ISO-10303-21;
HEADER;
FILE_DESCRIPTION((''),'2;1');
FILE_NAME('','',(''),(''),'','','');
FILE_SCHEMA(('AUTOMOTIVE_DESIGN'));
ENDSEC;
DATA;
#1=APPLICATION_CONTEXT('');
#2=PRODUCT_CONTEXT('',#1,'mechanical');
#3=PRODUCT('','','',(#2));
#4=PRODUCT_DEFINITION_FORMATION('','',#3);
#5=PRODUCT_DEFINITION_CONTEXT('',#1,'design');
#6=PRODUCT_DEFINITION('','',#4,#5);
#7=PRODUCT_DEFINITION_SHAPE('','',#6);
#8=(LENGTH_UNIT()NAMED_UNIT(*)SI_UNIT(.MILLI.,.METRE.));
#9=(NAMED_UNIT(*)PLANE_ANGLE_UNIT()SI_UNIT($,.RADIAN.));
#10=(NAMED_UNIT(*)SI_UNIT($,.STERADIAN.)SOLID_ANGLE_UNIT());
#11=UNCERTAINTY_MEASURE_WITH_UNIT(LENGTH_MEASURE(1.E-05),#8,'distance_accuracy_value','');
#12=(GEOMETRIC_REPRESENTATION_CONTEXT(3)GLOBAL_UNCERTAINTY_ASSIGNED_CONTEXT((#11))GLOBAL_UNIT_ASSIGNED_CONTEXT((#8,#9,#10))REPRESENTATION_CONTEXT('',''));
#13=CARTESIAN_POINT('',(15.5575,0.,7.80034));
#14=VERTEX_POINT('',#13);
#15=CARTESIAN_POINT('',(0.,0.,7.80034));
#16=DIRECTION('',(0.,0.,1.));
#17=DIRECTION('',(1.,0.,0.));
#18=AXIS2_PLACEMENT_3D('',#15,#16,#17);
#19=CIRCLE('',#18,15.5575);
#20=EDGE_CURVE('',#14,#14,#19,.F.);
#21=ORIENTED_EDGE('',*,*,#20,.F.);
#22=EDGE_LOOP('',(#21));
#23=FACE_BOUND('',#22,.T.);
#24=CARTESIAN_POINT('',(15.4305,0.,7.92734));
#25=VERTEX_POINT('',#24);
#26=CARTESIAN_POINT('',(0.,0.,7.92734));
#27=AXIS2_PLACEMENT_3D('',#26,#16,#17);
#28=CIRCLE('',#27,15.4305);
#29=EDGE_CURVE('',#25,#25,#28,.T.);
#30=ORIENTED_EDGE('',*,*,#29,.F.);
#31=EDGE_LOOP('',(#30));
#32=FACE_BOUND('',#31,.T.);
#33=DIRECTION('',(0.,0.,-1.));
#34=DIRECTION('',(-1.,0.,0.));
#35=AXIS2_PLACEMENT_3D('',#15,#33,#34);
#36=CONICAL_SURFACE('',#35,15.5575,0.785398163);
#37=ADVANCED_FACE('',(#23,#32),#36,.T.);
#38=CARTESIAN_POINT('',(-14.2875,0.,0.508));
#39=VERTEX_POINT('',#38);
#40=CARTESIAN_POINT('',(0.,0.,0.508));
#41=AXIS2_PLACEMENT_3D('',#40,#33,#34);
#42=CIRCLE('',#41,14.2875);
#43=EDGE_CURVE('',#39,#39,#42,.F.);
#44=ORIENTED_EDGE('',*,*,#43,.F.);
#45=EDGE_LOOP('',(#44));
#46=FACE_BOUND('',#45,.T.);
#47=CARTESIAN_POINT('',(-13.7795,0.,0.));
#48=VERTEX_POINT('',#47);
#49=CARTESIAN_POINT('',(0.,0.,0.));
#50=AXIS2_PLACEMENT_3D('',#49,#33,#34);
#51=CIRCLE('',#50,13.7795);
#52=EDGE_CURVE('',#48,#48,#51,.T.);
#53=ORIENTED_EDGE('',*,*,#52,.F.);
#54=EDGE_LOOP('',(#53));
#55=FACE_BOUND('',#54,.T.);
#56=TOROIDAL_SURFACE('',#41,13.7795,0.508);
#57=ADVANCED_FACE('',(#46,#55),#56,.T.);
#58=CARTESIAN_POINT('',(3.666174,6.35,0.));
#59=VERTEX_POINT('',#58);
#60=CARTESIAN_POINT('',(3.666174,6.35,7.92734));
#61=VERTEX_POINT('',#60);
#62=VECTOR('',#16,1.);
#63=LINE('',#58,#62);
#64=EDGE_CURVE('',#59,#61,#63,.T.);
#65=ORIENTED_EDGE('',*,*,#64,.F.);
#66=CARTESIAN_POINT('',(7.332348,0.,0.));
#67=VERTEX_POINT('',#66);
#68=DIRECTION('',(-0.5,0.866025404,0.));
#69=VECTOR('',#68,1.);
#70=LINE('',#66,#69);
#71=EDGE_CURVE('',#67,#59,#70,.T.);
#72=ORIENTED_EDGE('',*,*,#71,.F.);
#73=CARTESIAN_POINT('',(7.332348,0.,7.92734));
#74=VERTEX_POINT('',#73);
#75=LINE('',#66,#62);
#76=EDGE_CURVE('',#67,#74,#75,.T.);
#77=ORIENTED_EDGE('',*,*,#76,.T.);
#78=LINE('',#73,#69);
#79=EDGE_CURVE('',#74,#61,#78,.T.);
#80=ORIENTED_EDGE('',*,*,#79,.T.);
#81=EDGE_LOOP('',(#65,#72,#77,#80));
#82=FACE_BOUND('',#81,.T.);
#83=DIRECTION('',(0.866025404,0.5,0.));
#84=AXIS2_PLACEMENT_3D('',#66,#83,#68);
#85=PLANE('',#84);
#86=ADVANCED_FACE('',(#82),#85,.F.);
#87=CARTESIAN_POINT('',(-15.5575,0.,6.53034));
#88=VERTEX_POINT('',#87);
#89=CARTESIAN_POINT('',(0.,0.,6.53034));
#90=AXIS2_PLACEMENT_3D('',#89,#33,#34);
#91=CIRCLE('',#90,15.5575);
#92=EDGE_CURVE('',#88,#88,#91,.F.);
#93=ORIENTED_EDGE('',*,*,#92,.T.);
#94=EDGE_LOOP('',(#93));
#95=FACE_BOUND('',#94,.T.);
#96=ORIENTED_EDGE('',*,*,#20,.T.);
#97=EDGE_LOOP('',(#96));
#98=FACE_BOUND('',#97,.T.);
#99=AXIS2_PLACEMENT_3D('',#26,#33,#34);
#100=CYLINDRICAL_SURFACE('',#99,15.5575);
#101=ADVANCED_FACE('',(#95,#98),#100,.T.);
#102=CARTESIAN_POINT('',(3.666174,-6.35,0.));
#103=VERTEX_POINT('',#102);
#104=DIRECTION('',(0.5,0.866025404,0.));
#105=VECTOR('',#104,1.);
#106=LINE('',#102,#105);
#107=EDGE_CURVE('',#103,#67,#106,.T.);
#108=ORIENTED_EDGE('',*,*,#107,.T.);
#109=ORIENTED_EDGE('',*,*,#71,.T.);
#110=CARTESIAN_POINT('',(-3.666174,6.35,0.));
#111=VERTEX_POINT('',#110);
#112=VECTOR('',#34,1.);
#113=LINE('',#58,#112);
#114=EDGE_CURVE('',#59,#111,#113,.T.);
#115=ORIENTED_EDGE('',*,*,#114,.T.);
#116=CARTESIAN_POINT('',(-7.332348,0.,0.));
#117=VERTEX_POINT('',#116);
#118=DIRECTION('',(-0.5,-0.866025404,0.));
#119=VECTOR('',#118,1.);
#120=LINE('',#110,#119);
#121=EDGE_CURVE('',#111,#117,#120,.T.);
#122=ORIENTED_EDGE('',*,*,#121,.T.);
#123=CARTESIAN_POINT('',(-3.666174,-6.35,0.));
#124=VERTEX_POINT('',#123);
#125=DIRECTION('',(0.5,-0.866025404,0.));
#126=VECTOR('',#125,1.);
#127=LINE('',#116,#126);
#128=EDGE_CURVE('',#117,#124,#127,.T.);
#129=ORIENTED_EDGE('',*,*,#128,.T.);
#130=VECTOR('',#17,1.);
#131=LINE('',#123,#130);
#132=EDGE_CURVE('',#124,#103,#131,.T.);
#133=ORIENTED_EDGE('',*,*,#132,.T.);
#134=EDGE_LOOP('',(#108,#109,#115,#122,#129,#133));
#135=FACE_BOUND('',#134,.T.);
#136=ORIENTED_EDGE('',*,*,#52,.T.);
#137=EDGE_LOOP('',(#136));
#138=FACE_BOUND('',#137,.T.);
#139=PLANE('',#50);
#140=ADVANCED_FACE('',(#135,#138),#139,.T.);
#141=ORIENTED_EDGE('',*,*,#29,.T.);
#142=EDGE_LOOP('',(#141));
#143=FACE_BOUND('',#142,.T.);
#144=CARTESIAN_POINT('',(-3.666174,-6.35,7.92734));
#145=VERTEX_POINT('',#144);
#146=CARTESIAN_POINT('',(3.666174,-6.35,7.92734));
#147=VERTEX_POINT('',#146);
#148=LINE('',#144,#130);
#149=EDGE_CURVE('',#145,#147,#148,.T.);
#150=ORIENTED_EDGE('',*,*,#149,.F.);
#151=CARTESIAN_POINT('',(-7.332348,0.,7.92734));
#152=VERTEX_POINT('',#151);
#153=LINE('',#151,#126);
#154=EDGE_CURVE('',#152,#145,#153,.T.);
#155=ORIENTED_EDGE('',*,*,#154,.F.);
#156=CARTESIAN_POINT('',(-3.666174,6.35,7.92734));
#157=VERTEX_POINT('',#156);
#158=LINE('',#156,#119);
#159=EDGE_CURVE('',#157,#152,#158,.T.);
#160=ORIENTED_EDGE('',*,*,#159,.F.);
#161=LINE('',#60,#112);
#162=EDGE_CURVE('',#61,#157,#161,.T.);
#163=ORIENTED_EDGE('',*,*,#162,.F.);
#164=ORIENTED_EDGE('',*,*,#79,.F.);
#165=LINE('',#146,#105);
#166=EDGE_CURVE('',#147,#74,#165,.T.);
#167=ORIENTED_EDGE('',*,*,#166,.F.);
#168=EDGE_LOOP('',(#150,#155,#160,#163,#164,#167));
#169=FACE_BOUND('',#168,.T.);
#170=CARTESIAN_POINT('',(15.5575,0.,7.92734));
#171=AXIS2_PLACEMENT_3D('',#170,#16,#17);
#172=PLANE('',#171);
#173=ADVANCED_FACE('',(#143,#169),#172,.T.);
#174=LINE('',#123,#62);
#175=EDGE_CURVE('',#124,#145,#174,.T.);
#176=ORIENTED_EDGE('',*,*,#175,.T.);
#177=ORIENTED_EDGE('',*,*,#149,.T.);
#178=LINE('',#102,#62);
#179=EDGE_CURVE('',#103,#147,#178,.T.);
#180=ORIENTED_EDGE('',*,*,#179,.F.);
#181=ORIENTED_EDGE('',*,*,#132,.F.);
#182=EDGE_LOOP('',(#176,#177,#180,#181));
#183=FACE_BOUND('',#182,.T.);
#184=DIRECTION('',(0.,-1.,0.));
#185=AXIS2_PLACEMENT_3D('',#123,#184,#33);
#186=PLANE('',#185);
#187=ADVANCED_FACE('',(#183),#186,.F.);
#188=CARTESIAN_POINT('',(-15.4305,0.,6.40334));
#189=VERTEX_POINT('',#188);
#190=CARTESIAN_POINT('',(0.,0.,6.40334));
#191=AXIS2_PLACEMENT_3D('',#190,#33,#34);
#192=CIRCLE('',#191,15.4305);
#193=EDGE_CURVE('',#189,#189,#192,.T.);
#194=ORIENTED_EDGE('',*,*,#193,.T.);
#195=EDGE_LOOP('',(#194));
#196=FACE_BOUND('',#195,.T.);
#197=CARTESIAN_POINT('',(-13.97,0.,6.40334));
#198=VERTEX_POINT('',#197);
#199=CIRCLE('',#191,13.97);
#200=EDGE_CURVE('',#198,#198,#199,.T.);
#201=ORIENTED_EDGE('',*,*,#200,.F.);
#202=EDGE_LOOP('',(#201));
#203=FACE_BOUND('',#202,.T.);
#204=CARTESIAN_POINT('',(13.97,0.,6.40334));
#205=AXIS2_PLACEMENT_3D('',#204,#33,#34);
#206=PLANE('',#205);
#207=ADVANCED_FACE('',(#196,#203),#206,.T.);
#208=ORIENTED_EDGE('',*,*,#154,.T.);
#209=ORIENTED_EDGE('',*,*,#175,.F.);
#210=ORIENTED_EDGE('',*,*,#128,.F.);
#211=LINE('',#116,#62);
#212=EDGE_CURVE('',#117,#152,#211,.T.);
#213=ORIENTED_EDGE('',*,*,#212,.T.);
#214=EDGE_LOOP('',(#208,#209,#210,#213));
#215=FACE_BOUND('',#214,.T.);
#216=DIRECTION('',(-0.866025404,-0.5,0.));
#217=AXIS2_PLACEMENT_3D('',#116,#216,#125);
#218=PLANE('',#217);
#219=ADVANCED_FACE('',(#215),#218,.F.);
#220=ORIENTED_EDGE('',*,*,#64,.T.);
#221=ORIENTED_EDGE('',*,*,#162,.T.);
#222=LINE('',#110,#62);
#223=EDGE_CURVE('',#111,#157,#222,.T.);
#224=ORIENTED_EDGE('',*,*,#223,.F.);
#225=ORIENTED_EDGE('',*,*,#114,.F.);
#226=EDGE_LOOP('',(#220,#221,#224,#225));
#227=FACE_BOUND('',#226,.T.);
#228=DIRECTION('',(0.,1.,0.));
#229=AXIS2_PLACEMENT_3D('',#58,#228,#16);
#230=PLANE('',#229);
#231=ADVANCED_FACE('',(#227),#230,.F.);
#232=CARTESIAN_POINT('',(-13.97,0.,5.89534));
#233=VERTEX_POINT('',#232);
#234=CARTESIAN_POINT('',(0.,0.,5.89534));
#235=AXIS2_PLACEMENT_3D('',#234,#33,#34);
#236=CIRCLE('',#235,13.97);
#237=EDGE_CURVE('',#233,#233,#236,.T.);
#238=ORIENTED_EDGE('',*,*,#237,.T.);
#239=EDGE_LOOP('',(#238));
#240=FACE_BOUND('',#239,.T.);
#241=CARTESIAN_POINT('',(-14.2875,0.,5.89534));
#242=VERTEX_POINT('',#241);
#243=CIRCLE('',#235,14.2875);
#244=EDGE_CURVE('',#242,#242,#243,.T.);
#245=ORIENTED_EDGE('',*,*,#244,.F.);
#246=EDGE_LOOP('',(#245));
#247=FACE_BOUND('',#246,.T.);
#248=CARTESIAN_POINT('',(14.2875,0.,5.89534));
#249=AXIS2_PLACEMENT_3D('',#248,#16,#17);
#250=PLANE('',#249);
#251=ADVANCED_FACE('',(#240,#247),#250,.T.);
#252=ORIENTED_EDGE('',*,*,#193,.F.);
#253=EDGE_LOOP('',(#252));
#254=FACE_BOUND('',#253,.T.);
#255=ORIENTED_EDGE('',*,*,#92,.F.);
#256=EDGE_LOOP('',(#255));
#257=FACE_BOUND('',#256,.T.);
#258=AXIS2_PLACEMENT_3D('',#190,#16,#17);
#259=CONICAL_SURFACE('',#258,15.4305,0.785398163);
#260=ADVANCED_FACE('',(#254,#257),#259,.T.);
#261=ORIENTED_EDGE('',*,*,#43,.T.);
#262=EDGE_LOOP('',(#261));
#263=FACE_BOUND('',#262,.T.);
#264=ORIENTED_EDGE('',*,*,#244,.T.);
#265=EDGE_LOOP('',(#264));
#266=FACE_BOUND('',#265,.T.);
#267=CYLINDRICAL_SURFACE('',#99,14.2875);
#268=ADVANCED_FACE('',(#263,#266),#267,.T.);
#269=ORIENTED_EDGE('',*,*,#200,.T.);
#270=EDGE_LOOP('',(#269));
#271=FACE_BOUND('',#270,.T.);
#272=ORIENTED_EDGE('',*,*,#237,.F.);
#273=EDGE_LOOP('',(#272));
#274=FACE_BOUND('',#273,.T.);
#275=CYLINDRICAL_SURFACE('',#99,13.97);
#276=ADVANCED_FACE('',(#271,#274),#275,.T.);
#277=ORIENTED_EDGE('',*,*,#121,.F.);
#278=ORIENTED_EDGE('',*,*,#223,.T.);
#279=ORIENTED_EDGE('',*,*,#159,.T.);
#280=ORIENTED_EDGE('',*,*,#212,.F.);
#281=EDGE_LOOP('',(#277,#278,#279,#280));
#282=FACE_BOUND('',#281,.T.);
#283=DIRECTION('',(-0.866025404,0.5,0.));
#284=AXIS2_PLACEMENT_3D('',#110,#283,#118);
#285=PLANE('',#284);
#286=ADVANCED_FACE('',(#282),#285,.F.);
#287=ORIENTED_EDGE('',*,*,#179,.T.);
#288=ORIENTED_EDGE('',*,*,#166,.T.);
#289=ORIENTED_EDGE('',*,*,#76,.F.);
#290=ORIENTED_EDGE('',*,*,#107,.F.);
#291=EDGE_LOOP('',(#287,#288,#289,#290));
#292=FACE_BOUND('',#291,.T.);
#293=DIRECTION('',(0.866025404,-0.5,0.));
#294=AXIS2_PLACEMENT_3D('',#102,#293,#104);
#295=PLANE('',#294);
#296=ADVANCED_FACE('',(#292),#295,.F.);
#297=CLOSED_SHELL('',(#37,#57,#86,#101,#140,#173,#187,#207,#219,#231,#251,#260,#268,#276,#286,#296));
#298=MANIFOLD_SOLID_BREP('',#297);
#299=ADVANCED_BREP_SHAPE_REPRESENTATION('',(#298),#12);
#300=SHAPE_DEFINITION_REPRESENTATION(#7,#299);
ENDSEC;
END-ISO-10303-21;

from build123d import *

# Parameters (mm, degrees)
CUT_EXTRUDE1_DEPTH = 8.92734
CHAMFER1_SIZE      = 0.127
FILLET1_R          = 0.508


with BuildPart() as part:
    # Sketch1 → Revolve1 (revolve)
    with BuildSketch(Plane.XZ):
        Polygon((15.5575, 7.92734), (0, 7.92734), (0, 0), (14.2875, 0), (14.2875, 5.89534), (13.97, 5.89534), (13.97, 6.40334), (15.5575, 6.40334), align=None)
    revolve(axis=Axis((0, 0, 7.92734), (0, 0, -1)))

    # Sketch2 → Cut-Extrude1 (cut, through all)
    with BuildSketch(Plane.XY.offset(7.92734)):
        Polygon((7.332348419, 0), (3.666174209, 6.35), (-3.666174209, 6.35), (-7.332348419, 0), (-3.666174209, -6.35), (3.666174209, -6.35), align=None)
    extrude(amount=-CUT_EXTRUDE1_DEPTH, mode=Mode.SUBTRACT)

    # Chamfer1
    chamfer1_edges = [part.edges().sort_by_distance(p)[0] for p in [
        (-15.5575, 0, 6.40334),
        (-15.5575, 0, 7.92734),
    ]]
    chamfer(chamfer1_edges, length=CHAMFER1_SIZE)

    # Fillet1
    fillet1_edges = [part.edges().sort_by_distance(p)[0] for p in [
        (-14.2875, 0, 0),
    ]]
    fillet(fillet1_edges, radius=FILLET1_R)


solid = part.part
